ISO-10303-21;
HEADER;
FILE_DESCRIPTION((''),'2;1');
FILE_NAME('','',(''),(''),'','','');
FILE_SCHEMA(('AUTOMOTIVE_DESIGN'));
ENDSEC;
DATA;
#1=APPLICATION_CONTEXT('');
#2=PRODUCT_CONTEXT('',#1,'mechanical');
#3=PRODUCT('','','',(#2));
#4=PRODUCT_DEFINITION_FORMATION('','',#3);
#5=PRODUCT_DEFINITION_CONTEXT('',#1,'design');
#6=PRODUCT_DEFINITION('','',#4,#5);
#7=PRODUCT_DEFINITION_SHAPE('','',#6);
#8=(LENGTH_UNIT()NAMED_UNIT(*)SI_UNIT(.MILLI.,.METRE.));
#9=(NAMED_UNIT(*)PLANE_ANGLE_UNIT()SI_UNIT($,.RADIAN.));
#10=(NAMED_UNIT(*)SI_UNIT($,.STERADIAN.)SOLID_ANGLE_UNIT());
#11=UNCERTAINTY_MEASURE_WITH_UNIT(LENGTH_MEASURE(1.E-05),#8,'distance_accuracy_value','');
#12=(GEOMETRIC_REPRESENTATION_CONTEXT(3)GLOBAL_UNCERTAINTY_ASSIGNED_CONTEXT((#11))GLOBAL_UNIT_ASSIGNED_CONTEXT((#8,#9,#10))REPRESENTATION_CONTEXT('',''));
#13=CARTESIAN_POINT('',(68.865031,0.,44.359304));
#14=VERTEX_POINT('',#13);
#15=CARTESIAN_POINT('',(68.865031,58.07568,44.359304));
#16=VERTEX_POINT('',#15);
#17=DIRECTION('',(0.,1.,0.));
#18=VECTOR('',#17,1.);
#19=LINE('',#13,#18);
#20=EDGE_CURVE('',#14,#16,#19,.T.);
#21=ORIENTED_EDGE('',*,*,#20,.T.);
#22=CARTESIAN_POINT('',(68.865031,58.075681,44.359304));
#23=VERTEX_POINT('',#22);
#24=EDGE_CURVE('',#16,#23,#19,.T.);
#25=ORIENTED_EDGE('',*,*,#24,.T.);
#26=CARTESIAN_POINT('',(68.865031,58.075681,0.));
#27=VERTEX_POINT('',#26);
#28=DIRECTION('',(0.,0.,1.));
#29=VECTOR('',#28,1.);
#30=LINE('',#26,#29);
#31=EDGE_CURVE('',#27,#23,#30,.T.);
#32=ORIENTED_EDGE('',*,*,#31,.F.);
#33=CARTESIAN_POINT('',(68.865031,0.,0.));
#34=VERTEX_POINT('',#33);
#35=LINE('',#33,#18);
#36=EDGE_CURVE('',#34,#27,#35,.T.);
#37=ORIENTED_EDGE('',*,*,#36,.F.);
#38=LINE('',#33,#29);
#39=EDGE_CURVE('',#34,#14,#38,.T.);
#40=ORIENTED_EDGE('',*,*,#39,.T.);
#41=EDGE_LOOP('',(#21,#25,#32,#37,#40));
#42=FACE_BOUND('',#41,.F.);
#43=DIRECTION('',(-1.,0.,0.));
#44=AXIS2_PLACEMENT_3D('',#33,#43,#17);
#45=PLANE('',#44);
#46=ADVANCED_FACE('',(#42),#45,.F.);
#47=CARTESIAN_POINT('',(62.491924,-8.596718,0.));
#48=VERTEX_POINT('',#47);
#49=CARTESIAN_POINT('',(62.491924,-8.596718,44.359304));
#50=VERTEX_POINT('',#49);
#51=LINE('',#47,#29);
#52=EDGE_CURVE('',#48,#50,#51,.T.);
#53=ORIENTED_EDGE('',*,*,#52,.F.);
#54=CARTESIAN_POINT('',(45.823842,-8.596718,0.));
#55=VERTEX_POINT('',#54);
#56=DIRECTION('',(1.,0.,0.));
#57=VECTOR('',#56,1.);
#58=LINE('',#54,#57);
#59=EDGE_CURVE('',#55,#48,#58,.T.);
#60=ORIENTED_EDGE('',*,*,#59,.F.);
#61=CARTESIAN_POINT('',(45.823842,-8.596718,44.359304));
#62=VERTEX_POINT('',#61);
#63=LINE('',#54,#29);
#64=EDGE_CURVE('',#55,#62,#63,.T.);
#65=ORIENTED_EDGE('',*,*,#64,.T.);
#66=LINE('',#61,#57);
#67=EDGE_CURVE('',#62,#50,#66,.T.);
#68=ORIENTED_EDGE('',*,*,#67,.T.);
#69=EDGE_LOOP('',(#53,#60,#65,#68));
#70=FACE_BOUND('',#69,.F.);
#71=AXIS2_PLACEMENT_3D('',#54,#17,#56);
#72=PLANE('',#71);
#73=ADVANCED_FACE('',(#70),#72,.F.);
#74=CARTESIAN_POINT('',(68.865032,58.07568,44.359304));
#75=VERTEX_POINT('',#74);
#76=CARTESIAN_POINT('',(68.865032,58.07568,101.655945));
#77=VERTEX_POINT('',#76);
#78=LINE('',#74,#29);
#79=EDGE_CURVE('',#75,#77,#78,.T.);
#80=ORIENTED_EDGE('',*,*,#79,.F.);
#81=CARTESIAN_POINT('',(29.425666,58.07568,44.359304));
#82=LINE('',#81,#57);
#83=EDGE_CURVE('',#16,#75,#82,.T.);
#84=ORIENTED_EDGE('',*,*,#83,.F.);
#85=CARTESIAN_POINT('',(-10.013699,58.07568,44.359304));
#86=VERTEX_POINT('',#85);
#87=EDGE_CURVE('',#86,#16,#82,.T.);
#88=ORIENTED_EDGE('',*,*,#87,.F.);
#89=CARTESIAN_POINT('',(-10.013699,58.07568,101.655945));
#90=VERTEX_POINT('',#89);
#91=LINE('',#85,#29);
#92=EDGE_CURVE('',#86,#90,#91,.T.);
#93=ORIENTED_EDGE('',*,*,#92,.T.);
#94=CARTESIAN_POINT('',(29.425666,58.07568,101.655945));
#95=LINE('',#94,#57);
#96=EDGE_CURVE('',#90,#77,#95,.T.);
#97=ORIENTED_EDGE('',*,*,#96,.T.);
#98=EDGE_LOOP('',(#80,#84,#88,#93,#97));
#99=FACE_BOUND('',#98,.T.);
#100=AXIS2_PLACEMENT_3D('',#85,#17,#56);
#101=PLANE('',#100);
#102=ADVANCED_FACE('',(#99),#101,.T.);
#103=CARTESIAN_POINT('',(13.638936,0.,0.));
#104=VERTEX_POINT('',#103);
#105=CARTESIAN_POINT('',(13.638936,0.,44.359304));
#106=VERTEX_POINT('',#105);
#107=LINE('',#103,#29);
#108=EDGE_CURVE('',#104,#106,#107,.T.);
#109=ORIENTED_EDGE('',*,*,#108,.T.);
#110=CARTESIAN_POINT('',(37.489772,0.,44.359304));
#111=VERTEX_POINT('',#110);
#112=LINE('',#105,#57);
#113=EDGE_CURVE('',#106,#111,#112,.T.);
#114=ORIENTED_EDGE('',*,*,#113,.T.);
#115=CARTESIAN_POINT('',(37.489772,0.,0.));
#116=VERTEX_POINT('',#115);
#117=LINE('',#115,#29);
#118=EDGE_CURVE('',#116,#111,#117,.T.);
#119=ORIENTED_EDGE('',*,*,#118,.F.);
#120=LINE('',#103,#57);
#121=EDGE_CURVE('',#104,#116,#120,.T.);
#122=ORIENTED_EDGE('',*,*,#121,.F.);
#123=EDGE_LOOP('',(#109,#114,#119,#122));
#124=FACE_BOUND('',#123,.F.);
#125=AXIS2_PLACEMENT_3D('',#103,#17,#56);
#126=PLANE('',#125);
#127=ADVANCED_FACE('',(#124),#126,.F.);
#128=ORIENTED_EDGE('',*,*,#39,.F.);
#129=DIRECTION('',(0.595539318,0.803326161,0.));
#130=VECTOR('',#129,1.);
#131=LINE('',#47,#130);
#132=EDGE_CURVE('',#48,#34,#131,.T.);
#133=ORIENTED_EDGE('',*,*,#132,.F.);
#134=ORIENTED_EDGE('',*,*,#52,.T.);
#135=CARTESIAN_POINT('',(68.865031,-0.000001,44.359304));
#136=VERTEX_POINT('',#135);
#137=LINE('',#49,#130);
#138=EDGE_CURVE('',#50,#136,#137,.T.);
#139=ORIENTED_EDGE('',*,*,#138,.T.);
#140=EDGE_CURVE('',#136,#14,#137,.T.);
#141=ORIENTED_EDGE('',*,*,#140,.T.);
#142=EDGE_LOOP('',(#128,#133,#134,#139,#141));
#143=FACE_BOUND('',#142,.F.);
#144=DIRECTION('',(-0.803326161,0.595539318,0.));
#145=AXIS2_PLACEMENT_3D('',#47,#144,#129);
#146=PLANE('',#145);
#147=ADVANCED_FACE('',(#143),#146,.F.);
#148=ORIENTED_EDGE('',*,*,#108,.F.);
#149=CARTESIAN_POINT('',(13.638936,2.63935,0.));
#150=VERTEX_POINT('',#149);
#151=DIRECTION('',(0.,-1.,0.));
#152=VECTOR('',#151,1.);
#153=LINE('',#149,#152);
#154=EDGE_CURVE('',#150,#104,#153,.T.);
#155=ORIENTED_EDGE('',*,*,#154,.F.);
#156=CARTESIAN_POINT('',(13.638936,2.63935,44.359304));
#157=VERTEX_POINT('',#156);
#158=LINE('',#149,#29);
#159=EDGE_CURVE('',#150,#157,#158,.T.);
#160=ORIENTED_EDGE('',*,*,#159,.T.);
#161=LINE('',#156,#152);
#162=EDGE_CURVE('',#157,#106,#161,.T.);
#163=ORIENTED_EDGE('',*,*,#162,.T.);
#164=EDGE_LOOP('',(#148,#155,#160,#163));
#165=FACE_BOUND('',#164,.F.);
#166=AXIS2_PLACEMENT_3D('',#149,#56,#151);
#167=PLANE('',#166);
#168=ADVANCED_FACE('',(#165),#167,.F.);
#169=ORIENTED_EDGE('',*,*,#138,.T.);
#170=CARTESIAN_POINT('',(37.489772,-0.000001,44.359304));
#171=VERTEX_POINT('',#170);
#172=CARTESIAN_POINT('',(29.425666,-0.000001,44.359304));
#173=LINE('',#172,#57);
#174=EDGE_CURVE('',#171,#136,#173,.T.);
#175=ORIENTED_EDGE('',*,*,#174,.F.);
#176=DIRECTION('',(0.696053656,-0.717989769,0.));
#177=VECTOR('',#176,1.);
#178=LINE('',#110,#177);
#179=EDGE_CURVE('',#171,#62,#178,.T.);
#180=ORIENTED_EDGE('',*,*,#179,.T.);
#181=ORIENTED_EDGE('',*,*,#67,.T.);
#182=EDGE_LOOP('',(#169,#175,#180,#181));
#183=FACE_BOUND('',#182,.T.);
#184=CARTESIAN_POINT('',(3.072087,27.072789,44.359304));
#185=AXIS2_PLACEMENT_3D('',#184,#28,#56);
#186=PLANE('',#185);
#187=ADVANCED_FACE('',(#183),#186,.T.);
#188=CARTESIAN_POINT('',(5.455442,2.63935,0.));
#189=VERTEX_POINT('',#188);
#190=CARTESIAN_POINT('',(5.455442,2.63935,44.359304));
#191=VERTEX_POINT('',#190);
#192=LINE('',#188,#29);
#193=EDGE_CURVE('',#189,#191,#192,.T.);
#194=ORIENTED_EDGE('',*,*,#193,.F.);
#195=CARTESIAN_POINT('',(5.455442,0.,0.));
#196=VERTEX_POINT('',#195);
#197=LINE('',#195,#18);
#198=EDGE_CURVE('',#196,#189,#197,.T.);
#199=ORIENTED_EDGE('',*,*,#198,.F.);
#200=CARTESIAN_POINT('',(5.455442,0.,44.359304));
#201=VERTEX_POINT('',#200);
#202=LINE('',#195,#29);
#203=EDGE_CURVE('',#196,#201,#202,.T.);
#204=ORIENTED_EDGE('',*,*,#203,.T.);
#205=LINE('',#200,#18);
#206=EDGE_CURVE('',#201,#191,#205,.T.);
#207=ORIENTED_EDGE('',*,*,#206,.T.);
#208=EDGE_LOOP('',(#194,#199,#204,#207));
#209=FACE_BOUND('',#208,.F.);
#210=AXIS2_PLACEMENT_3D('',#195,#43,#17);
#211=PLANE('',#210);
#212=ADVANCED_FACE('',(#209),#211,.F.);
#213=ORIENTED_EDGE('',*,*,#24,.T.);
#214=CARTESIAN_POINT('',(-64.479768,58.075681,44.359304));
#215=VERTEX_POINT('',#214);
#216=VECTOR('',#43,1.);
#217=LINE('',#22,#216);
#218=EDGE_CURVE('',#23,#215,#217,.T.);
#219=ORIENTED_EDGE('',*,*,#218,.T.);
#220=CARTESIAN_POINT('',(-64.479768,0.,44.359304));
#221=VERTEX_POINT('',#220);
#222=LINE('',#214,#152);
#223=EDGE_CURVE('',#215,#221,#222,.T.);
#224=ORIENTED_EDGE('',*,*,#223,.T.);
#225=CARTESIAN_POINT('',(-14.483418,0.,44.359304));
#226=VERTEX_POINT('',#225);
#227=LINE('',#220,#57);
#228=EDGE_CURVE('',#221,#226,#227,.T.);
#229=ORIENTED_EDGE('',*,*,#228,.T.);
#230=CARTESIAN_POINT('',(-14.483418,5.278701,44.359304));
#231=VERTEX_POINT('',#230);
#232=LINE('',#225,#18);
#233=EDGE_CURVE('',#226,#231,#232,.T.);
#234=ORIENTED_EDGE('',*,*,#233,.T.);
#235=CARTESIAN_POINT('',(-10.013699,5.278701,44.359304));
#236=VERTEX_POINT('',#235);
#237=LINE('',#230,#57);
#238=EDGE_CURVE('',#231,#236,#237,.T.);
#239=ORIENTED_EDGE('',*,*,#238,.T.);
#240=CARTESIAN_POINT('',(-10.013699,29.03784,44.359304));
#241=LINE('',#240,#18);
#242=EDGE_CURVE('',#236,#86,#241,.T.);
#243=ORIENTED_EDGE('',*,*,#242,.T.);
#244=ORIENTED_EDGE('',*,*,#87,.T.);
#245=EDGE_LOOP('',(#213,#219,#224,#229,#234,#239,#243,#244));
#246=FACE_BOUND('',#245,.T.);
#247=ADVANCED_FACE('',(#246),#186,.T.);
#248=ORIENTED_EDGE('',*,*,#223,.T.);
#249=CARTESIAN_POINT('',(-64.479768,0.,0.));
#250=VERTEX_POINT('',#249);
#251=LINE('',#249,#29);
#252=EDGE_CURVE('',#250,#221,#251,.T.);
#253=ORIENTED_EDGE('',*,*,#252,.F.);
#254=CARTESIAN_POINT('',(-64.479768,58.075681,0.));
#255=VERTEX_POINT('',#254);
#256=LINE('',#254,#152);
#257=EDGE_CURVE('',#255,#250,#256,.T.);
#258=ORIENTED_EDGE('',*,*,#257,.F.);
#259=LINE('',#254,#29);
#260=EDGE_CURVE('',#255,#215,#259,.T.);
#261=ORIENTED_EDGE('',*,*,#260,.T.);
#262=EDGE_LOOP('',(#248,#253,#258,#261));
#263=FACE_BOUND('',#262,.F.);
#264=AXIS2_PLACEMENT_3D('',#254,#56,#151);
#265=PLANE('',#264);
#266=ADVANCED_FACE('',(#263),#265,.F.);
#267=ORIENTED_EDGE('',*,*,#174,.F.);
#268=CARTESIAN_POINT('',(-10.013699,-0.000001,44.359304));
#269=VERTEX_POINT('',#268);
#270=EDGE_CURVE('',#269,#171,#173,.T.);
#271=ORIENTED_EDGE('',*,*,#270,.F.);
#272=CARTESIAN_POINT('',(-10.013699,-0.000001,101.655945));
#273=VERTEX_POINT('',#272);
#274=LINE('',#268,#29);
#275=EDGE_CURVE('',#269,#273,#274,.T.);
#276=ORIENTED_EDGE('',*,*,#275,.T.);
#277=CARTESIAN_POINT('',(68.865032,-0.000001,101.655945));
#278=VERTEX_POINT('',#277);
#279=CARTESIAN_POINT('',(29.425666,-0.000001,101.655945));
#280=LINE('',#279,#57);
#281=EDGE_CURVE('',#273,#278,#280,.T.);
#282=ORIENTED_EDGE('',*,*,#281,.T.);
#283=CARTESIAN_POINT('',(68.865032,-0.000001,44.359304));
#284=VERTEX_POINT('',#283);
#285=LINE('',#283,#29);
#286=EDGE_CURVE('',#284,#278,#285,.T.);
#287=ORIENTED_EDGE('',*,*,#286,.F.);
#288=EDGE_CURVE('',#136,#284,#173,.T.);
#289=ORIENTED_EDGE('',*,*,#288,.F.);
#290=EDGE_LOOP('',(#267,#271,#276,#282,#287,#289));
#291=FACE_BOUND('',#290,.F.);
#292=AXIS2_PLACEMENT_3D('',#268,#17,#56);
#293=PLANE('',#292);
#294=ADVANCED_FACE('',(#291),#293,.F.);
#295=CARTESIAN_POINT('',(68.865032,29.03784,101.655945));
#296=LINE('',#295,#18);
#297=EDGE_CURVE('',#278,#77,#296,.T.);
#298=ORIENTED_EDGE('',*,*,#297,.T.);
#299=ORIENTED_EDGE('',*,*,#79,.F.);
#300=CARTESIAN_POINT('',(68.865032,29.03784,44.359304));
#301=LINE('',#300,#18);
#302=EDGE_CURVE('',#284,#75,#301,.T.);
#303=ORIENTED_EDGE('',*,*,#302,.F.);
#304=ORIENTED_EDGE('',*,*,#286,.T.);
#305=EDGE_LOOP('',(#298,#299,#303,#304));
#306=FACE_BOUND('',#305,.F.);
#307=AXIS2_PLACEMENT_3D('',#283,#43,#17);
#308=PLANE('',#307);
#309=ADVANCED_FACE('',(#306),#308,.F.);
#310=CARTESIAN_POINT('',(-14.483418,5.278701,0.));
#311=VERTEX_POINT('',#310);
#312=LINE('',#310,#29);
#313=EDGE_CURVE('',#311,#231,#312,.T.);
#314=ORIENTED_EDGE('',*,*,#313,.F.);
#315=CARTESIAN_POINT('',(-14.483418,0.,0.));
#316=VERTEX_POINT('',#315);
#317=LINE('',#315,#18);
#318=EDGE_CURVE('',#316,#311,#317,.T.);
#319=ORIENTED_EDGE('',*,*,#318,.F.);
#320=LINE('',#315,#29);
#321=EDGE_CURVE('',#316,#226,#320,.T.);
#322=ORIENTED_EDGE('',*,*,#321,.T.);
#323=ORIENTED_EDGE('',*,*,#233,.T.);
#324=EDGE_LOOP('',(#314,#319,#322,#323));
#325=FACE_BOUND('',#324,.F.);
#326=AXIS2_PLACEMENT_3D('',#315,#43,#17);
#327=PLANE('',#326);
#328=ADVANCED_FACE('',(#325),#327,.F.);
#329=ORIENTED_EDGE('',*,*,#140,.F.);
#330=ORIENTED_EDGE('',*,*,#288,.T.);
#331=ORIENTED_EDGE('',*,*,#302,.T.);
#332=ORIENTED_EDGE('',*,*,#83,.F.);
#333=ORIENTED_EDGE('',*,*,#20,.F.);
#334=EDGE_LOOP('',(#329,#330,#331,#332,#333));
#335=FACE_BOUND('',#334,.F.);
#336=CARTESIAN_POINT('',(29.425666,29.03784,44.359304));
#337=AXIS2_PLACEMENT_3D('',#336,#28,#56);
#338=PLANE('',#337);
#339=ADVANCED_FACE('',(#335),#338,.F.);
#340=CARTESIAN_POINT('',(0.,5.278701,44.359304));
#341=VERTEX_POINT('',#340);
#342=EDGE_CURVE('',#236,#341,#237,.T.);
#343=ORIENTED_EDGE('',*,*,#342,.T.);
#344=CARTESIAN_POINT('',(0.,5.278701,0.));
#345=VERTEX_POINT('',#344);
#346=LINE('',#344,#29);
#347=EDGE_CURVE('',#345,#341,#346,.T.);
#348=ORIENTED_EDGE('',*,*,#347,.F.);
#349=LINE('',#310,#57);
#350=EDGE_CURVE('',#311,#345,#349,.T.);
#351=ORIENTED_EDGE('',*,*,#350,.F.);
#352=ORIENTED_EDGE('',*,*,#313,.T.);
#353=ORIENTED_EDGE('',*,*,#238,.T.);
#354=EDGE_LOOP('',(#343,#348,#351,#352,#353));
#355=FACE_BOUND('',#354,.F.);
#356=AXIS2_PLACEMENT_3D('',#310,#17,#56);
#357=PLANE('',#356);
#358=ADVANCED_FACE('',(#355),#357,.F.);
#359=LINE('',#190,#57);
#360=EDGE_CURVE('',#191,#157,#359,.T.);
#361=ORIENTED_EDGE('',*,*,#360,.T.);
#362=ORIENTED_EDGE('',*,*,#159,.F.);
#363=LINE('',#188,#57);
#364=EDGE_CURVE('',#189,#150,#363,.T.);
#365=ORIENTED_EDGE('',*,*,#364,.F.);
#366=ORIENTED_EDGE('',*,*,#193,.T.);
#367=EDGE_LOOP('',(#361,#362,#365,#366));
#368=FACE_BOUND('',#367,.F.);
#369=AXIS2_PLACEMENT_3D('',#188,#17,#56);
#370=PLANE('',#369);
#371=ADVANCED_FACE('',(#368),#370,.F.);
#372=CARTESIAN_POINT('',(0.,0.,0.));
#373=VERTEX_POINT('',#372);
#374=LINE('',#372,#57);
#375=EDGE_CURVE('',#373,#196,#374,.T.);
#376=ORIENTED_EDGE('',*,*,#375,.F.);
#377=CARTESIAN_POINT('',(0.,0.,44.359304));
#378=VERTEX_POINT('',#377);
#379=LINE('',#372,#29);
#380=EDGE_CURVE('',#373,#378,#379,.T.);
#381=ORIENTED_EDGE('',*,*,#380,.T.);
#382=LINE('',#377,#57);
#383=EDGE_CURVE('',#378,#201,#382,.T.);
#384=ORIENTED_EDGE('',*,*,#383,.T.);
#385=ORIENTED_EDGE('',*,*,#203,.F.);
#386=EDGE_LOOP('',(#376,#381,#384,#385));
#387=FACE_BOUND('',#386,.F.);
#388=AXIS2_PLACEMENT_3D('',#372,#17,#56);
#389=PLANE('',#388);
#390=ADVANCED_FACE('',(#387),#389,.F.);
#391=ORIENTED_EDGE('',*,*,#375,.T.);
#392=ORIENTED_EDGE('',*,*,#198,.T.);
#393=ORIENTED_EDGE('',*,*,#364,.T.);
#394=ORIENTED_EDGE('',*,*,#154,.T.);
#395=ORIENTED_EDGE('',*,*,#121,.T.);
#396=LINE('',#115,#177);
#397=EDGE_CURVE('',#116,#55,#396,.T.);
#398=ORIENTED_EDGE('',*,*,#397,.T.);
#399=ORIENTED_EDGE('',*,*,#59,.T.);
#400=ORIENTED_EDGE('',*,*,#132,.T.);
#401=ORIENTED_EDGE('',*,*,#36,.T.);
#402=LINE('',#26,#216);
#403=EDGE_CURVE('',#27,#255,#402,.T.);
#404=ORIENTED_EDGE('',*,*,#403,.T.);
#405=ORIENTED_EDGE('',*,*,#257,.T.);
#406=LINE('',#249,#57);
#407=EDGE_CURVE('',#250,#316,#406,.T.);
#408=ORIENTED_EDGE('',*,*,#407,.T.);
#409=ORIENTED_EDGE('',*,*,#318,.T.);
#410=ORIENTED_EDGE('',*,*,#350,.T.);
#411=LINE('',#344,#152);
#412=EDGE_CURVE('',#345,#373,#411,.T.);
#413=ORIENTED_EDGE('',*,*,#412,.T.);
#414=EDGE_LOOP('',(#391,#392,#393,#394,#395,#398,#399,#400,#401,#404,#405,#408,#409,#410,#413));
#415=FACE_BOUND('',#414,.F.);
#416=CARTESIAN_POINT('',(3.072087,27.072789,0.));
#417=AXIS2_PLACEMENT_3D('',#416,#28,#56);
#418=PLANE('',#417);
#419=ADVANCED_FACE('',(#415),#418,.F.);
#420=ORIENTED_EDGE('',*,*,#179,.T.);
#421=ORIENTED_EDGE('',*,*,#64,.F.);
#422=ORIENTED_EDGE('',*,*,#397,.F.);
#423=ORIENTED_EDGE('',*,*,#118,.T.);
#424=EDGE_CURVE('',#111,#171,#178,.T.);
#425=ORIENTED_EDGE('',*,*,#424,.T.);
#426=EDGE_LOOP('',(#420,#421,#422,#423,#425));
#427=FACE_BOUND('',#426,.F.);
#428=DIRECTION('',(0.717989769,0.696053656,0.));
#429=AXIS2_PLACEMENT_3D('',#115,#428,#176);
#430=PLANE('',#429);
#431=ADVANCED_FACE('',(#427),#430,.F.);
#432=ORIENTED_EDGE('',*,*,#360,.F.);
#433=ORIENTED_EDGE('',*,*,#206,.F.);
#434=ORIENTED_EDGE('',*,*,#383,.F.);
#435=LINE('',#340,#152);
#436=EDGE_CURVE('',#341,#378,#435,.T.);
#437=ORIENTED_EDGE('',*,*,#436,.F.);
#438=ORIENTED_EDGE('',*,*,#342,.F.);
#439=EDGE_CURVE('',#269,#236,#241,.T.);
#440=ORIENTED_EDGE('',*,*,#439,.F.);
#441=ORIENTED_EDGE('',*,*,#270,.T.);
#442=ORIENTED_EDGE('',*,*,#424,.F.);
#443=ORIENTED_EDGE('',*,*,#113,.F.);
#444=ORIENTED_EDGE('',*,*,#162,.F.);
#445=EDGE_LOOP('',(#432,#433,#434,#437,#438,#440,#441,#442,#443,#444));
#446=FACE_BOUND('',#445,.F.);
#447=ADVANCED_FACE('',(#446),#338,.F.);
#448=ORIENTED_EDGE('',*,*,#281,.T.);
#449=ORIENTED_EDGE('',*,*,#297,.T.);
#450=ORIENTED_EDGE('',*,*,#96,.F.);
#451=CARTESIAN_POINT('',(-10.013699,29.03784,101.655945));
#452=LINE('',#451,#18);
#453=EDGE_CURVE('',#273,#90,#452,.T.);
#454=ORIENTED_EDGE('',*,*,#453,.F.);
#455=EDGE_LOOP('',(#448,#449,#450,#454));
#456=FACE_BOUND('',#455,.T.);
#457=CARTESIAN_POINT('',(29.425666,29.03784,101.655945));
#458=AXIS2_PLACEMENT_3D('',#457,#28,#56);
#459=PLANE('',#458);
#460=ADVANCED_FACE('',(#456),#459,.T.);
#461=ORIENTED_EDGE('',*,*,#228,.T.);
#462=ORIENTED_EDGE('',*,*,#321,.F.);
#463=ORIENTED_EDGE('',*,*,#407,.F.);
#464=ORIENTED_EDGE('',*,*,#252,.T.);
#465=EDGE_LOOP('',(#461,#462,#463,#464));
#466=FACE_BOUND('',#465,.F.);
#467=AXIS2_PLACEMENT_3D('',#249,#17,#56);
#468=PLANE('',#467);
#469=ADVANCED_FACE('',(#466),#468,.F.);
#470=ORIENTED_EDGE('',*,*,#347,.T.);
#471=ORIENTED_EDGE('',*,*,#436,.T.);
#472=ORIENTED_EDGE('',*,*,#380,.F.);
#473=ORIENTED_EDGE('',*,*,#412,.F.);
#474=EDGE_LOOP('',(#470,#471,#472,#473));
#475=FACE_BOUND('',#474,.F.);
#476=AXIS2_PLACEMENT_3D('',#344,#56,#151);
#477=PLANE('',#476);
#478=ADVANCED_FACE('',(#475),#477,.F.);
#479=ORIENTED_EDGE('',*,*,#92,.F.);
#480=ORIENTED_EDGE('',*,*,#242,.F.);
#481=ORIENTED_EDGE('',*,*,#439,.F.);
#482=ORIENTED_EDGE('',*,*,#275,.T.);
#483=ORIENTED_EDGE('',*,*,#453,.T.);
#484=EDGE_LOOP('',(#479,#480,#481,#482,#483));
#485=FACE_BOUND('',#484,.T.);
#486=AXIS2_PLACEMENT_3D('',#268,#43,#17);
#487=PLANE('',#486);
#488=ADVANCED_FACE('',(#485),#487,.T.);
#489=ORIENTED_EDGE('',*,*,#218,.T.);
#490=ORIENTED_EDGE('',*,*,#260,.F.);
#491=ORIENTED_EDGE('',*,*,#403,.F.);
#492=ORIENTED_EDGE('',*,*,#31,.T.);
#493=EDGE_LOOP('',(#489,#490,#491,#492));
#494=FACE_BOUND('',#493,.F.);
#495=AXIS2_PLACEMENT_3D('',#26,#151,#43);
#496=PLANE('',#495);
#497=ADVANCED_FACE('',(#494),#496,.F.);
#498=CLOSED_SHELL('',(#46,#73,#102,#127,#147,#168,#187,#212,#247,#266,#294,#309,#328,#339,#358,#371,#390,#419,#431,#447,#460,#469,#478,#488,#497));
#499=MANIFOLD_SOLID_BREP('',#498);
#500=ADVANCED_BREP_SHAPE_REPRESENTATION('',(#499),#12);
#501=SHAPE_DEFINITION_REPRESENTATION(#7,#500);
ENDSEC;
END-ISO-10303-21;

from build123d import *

# Parameters (mm, degrees)
F1_DEPTH = 44.359304
F2_W     = 78.878731
F2_H     = 58.075681
F3_DEPTH = 57.296641


with BuildPart() as f1:
    # F0 (on Top) → F1 (new body)
    with BuildSketch(Plane.XY):
        Polygon((68.865031, 58.075681), (-64.479768, 58.075681), (-64.479768, 0), (-14.483418, 0), (-14.483418, 5.278701), (0, 5.278701), (0, 0), (5.455442, 0), (5.455442, 2.63935), (13.638936, 2.63935), (13.638936, 0), (37.489772, 0), (45.823842, -8.596718), (62.491924, -8.596718), (68.865031, 0), align=None)
    extrude(amount=F1_DEPTH)

    # F2 (on face) → F3 (join)
    with BuildSketch(Plane.XY.offset(44.359304)):
        with Locations((29.425666, 29.03784)):
            Rectangle(F2_W, F2_H)
    extrude(amount=F3_DEPTH)


solid = f1.part
